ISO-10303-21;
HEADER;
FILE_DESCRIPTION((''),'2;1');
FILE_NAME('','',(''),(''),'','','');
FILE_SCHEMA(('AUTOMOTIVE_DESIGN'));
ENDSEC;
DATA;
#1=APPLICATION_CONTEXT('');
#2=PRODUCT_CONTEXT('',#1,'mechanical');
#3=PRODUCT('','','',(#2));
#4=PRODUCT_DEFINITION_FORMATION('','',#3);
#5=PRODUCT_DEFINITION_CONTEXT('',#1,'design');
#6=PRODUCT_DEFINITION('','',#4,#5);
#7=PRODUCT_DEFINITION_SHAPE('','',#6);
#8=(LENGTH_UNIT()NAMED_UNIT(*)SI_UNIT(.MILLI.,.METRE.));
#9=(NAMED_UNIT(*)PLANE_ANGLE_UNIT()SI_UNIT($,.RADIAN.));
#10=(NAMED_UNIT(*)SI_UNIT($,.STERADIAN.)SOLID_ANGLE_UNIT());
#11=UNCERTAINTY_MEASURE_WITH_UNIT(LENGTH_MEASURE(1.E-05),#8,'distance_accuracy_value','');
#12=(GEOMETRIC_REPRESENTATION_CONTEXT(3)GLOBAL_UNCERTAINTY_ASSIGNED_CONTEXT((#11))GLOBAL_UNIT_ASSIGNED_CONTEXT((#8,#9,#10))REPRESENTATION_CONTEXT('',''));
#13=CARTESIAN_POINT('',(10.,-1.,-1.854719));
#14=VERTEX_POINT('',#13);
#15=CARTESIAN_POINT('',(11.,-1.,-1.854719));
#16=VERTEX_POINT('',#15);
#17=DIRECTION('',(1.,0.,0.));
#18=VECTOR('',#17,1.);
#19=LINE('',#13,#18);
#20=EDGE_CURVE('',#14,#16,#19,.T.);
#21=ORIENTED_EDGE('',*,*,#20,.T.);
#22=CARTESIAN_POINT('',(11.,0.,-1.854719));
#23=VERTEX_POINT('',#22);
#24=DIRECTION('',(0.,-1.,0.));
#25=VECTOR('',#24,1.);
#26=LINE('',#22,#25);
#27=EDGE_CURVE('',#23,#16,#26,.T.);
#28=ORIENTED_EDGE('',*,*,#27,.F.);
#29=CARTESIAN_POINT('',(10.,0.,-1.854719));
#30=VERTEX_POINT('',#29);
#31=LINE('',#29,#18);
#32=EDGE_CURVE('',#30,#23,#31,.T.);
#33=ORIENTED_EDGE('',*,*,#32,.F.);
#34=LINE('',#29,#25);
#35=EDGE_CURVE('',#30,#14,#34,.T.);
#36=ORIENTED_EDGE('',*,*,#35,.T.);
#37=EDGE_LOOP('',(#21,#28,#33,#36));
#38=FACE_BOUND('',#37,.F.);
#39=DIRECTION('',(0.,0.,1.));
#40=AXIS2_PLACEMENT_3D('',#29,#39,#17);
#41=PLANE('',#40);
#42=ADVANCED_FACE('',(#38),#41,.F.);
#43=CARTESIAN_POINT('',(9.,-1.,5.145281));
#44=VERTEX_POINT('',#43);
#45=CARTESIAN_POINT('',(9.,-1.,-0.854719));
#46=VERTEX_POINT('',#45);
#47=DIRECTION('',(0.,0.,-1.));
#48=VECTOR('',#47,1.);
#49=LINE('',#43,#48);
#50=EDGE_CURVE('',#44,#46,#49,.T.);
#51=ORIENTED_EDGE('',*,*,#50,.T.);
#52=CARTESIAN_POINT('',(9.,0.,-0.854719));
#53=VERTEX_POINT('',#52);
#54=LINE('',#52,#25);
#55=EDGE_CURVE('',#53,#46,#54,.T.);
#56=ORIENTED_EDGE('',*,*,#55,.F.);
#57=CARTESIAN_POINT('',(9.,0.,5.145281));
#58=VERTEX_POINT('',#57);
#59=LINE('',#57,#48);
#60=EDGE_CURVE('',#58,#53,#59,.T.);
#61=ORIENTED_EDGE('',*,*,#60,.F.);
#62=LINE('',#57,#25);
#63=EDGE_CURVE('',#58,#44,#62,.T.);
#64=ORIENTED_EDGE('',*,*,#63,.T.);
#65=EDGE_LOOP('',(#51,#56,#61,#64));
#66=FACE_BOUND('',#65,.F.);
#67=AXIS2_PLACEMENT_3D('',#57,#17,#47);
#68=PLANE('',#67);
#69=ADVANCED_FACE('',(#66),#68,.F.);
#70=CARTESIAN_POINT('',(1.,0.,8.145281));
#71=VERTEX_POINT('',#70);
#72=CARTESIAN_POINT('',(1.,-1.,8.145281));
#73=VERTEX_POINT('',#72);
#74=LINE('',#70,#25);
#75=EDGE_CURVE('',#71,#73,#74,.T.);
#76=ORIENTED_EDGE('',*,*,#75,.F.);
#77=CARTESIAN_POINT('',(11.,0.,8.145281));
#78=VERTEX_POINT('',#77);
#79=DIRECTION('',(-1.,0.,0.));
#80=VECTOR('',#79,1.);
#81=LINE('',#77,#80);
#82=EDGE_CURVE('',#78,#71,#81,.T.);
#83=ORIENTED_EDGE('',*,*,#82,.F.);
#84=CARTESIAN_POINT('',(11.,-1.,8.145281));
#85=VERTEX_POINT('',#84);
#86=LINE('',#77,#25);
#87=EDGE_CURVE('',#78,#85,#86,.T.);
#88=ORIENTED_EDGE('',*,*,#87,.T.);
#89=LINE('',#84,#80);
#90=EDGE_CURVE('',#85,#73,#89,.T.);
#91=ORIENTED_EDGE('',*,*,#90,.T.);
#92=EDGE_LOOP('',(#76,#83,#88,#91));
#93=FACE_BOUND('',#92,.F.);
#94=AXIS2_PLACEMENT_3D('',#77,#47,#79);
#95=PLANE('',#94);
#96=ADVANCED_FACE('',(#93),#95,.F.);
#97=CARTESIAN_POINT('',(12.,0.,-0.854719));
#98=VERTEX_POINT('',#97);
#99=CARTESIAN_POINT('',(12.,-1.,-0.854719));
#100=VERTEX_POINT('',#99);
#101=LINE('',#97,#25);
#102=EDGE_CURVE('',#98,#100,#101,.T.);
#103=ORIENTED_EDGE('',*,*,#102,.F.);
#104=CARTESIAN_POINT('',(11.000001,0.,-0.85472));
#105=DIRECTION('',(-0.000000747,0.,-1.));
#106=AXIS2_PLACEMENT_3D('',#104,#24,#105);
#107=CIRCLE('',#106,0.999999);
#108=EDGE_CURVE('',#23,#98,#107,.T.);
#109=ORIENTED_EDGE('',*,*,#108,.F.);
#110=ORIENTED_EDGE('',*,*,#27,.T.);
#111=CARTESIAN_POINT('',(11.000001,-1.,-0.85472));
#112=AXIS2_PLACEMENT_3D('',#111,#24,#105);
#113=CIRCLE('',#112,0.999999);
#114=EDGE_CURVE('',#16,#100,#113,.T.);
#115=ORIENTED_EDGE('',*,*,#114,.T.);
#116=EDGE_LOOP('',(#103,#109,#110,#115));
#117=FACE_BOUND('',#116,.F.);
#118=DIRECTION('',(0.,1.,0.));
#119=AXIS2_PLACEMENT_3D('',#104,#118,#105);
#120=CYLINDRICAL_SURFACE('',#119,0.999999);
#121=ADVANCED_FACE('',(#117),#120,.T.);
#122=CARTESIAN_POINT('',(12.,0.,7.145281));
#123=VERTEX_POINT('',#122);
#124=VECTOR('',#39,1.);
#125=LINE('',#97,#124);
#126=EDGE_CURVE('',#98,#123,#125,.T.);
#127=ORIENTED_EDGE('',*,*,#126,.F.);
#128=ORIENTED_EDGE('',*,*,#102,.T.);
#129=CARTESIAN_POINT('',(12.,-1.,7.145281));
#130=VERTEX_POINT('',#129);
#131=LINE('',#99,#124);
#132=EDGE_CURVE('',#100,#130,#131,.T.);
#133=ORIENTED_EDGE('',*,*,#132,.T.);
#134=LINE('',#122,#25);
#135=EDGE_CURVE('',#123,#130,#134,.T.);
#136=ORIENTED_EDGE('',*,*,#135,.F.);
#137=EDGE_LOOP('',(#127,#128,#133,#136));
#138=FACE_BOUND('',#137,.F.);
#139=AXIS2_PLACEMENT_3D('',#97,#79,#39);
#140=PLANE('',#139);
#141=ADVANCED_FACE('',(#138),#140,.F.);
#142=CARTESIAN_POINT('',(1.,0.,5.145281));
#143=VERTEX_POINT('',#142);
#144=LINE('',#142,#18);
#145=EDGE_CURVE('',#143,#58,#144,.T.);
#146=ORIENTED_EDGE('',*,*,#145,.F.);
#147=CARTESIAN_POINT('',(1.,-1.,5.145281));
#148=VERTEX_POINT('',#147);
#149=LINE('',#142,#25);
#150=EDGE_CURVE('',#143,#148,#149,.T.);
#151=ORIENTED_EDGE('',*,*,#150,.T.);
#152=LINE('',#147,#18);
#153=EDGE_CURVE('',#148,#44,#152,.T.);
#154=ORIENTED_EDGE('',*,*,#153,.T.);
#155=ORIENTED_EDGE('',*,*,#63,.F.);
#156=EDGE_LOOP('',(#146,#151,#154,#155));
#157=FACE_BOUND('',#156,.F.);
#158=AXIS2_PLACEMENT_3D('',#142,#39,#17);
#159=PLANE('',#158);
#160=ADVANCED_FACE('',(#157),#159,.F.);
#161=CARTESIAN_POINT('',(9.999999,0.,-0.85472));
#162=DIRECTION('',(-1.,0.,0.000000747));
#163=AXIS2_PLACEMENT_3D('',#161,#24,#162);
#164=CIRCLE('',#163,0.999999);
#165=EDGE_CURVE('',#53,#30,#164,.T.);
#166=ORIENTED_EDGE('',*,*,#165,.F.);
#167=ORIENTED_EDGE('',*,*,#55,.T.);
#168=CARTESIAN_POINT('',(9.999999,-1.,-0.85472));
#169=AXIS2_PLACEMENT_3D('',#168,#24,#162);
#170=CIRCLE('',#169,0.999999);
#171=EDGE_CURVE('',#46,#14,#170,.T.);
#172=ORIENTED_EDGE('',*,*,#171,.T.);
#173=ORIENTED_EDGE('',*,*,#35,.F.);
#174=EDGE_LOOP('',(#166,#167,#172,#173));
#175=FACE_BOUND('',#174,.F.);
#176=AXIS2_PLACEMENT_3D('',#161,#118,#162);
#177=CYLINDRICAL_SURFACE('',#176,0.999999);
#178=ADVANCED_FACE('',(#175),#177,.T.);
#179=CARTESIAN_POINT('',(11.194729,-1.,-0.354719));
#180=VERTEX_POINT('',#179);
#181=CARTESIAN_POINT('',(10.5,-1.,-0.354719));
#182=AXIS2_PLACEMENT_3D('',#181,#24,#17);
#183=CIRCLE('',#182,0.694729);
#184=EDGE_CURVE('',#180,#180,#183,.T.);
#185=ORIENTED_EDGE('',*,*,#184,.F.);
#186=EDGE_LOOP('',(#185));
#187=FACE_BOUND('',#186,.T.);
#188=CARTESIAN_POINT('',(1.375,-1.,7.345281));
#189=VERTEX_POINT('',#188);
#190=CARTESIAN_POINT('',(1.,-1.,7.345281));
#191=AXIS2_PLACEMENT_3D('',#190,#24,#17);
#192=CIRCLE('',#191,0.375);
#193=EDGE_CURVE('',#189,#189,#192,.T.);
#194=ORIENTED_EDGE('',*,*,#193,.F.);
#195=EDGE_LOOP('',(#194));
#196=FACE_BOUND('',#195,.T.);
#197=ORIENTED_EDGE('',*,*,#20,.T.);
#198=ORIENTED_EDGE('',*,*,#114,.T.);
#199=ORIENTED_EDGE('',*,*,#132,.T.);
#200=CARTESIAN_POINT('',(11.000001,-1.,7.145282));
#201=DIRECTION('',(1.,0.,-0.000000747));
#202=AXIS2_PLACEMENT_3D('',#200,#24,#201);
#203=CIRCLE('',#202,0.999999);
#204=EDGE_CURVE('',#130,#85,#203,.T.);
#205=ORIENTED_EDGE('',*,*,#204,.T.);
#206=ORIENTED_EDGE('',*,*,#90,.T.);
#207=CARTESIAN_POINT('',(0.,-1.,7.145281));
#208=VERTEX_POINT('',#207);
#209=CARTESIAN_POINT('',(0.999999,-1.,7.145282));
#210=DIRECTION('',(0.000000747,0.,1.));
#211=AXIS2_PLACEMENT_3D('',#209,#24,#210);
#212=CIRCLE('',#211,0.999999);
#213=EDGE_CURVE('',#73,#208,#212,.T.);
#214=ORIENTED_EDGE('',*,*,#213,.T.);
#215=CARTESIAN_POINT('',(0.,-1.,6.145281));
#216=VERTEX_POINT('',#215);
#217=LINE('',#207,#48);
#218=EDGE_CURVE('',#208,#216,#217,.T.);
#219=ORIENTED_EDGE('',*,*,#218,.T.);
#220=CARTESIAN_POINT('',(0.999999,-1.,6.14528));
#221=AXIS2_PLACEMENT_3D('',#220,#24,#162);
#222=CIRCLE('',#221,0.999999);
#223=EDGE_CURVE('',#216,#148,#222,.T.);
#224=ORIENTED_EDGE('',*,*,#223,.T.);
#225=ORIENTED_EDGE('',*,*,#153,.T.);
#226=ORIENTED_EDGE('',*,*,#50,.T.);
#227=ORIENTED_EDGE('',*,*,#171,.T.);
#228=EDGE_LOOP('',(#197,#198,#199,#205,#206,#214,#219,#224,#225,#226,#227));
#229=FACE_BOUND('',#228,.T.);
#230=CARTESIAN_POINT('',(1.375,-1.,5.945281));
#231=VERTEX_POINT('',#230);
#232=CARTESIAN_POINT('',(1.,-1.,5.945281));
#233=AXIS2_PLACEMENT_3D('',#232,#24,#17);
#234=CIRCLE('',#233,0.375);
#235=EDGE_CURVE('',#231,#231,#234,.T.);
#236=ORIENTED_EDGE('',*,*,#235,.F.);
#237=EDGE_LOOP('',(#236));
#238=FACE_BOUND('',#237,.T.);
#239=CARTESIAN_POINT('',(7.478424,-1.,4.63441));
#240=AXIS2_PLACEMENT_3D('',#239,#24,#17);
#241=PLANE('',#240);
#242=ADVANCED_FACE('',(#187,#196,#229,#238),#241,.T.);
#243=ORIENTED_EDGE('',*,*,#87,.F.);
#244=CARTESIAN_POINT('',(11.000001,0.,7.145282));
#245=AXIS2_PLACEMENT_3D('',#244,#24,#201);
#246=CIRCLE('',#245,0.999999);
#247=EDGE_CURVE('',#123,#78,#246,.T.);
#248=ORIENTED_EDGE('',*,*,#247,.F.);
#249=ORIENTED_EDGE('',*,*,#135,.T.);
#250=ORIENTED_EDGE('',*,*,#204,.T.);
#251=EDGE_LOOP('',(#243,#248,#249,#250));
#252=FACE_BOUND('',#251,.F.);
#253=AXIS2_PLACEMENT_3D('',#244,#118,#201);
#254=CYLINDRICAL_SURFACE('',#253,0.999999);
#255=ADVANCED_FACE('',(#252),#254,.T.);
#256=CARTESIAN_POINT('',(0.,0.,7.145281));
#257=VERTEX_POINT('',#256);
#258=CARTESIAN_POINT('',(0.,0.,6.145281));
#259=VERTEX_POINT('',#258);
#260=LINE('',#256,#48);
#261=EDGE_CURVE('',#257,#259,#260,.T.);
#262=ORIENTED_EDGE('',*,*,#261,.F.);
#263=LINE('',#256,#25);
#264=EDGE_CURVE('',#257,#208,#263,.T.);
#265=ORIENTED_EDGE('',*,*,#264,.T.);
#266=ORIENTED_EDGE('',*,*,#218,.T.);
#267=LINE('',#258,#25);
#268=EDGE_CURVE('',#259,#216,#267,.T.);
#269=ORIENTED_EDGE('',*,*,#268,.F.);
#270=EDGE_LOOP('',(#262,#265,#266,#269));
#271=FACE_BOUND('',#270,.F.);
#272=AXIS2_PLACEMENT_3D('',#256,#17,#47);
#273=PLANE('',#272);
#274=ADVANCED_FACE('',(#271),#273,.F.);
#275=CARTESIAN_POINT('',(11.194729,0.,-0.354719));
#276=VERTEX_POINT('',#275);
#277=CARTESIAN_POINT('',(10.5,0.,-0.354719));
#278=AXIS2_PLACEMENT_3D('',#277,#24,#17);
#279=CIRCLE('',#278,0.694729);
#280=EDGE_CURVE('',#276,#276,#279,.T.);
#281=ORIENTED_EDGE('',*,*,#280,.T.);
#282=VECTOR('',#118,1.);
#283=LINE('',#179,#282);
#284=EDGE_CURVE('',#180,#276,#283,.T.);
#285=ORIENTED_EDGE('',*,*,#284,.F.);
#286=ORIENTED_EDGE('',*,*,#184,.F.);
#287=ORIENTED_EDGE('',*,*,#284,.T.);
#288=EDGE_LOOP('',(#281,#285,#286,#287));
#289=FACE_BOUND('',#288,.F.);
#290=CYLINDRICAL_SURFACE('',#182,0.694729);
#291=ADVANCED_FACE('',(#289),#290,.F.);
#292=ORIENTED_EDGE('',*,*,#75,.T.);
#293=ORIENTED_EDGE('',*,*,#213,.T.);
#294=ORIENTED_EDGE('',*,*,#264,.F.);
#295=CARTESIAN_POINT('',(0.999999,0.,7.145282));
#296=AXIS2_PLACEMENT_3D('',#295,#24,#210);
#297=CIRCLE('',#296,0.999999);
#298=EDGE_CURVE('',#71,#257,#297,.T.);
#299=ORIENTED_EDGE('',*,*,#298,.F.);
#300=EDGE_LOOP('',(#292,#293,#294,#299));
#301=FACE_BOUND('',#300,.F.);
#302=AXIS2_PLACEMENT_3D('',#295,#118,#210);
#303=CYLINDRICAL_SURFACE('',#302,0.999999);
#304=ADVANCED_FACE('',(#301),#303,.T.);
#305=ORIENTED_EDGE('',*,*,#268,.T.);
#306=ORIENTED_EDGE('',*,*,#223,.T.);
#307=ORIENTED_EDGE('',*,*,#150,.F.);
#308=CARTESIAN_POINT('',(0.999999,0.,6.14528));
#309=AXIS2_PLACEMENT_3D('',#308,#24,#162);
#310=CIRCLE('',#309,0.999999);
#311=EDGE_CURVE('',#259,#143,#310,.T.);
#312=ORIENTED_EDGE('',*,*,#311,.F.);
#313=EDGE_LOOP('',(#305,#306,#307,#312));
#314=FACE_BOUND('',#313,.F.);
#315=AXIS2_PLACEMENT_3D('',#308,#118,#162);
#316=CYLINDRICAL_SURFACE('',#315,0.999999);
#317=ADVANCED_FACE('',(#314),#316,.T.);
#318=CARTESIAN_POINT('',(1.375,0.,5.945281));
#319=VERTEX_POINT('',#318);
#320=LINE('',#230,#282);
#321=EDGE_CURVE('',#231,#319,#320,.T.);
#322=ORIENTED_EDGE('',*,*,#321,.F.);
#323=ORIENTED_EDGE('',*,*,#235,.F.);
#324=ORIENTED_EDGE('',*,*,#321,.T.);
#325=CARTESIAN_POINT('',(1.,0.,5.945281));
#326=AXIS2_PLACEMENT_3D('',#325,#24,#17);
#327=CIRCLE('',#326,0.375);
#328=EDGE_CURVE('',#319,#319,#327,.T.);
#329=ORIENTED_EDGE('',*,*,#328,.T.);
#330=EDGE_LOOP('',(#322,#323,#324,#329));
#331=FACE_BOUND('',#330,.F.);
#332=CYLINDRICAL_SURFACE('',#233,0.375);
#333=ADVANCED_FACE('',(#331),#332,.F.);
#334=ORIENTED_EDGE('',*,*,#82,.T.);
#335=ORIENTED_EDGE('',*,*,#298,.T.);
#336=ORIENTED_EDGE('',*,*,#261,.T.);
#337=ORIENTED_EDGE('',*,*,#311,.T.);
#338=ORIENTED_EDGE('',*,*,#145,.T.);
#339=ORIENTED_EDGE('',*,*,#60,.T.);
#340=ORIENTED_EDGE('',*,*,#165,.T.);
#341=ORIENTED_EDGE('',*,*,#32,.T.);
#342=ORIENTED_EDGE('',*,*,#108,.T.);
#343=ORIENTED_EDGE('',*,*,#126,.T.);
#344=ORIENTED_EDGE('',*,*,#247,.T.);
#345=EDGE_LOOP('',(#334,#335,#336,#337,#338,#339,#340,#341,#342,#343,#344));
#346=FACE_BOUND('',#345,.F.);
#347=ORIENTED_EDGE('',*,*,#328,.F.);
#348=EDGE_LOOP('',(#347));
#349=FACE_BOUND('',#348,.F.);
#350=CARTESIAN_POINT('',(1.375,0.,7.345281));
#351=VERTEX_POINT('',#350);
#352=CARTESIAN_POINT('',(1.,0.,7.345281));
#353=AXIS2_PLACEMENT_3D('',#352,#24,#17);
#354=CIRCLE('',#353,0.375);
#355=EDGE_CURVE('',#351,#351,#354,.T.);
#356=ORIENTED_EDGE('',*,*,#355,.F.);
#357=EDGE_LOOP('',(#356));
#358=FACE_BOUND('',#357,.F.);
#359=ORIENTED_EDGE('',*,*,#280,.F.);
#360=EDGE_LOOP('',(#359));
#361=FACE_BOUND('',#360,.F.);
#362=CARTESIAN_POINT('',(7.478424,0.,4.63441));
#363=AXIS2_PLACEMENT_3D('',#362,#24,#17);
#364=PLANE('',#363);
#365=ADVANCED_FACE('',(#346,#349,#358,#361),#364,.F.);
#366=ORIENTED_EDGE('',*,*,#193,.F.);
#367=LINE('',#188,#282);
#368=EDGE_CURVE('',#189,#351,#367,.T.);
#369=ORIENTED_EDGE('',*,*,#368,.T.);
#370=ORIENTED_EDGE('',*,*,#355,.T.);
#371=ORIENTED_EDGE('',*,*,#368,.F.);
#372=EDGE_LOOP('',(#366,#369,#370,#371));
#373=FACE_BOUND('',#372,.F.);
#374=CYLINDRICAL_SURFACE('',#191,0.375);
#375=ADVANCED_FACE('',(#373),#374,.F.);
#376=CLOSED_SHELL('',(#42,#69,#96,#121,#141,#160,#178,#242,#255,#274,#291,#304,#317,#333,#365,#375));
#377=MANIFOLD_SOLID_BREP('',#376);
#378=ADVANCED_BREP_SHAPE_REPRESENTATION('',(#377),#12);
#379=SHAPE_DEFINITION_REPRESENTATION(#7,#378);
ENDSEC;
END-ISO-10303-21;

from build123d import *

# Parameters (mm, degrees)
F1_DEPTH = 1
F3_R     = 0.375
F3_R_2   = 0.694729
F4_DEPTH = 25


with BuildPart() as f1:
    # F0 (on Front) → F1 (new body)
    with BuildSketch(Plane.XZ):
        with BuildLine():
            ThreePointArc((0, 6.145281), (0.292893, 5.438174), (1, 5.145281))
            Line((1, 5.145281), (9, 5.145281))
            Line((9, 5.145281), (9, -0.854719))
            ThreePointArc((9, -0.854719), (9.292893, -1.561826), (10, -1.854719))
            Line((10, -1.854719), (11, -1.854719))
            ThreePointArc((11, -1.854719), (11.707107, -1.561826), (12, -0.854719))
            Line((12, -0.854719), (12, 7.145281))
            ThreePointArc((12, 7.145281), (11.707107, 7.852388), (11, 8.145281))
            Line((11, 8.145281), (1, 8.145281))
            ThreePointArc((1, 8.145281), (0.292893, 7.852388), (0, 7.145281))
            Line((0, 7.145281), (0, 6.145281))
        make_face()
    extrude(amount=F1_DEPTH)

    # F3 (on face) → F4 (cut)
    with BuildSketch(Plane.XZ.offset(1)):
        with Locations((1, 7.345281)):
            Circle(F3_R)
        with Locations((1, 5.945281)):
            Circle(F3_R)
        with Locations((10.5, -0.354719)):
            Circle(F3_R_2)
    extrude(amount=-F4_DEPTH, mode=Mode.SUBTRACT)


solid = f1.part
